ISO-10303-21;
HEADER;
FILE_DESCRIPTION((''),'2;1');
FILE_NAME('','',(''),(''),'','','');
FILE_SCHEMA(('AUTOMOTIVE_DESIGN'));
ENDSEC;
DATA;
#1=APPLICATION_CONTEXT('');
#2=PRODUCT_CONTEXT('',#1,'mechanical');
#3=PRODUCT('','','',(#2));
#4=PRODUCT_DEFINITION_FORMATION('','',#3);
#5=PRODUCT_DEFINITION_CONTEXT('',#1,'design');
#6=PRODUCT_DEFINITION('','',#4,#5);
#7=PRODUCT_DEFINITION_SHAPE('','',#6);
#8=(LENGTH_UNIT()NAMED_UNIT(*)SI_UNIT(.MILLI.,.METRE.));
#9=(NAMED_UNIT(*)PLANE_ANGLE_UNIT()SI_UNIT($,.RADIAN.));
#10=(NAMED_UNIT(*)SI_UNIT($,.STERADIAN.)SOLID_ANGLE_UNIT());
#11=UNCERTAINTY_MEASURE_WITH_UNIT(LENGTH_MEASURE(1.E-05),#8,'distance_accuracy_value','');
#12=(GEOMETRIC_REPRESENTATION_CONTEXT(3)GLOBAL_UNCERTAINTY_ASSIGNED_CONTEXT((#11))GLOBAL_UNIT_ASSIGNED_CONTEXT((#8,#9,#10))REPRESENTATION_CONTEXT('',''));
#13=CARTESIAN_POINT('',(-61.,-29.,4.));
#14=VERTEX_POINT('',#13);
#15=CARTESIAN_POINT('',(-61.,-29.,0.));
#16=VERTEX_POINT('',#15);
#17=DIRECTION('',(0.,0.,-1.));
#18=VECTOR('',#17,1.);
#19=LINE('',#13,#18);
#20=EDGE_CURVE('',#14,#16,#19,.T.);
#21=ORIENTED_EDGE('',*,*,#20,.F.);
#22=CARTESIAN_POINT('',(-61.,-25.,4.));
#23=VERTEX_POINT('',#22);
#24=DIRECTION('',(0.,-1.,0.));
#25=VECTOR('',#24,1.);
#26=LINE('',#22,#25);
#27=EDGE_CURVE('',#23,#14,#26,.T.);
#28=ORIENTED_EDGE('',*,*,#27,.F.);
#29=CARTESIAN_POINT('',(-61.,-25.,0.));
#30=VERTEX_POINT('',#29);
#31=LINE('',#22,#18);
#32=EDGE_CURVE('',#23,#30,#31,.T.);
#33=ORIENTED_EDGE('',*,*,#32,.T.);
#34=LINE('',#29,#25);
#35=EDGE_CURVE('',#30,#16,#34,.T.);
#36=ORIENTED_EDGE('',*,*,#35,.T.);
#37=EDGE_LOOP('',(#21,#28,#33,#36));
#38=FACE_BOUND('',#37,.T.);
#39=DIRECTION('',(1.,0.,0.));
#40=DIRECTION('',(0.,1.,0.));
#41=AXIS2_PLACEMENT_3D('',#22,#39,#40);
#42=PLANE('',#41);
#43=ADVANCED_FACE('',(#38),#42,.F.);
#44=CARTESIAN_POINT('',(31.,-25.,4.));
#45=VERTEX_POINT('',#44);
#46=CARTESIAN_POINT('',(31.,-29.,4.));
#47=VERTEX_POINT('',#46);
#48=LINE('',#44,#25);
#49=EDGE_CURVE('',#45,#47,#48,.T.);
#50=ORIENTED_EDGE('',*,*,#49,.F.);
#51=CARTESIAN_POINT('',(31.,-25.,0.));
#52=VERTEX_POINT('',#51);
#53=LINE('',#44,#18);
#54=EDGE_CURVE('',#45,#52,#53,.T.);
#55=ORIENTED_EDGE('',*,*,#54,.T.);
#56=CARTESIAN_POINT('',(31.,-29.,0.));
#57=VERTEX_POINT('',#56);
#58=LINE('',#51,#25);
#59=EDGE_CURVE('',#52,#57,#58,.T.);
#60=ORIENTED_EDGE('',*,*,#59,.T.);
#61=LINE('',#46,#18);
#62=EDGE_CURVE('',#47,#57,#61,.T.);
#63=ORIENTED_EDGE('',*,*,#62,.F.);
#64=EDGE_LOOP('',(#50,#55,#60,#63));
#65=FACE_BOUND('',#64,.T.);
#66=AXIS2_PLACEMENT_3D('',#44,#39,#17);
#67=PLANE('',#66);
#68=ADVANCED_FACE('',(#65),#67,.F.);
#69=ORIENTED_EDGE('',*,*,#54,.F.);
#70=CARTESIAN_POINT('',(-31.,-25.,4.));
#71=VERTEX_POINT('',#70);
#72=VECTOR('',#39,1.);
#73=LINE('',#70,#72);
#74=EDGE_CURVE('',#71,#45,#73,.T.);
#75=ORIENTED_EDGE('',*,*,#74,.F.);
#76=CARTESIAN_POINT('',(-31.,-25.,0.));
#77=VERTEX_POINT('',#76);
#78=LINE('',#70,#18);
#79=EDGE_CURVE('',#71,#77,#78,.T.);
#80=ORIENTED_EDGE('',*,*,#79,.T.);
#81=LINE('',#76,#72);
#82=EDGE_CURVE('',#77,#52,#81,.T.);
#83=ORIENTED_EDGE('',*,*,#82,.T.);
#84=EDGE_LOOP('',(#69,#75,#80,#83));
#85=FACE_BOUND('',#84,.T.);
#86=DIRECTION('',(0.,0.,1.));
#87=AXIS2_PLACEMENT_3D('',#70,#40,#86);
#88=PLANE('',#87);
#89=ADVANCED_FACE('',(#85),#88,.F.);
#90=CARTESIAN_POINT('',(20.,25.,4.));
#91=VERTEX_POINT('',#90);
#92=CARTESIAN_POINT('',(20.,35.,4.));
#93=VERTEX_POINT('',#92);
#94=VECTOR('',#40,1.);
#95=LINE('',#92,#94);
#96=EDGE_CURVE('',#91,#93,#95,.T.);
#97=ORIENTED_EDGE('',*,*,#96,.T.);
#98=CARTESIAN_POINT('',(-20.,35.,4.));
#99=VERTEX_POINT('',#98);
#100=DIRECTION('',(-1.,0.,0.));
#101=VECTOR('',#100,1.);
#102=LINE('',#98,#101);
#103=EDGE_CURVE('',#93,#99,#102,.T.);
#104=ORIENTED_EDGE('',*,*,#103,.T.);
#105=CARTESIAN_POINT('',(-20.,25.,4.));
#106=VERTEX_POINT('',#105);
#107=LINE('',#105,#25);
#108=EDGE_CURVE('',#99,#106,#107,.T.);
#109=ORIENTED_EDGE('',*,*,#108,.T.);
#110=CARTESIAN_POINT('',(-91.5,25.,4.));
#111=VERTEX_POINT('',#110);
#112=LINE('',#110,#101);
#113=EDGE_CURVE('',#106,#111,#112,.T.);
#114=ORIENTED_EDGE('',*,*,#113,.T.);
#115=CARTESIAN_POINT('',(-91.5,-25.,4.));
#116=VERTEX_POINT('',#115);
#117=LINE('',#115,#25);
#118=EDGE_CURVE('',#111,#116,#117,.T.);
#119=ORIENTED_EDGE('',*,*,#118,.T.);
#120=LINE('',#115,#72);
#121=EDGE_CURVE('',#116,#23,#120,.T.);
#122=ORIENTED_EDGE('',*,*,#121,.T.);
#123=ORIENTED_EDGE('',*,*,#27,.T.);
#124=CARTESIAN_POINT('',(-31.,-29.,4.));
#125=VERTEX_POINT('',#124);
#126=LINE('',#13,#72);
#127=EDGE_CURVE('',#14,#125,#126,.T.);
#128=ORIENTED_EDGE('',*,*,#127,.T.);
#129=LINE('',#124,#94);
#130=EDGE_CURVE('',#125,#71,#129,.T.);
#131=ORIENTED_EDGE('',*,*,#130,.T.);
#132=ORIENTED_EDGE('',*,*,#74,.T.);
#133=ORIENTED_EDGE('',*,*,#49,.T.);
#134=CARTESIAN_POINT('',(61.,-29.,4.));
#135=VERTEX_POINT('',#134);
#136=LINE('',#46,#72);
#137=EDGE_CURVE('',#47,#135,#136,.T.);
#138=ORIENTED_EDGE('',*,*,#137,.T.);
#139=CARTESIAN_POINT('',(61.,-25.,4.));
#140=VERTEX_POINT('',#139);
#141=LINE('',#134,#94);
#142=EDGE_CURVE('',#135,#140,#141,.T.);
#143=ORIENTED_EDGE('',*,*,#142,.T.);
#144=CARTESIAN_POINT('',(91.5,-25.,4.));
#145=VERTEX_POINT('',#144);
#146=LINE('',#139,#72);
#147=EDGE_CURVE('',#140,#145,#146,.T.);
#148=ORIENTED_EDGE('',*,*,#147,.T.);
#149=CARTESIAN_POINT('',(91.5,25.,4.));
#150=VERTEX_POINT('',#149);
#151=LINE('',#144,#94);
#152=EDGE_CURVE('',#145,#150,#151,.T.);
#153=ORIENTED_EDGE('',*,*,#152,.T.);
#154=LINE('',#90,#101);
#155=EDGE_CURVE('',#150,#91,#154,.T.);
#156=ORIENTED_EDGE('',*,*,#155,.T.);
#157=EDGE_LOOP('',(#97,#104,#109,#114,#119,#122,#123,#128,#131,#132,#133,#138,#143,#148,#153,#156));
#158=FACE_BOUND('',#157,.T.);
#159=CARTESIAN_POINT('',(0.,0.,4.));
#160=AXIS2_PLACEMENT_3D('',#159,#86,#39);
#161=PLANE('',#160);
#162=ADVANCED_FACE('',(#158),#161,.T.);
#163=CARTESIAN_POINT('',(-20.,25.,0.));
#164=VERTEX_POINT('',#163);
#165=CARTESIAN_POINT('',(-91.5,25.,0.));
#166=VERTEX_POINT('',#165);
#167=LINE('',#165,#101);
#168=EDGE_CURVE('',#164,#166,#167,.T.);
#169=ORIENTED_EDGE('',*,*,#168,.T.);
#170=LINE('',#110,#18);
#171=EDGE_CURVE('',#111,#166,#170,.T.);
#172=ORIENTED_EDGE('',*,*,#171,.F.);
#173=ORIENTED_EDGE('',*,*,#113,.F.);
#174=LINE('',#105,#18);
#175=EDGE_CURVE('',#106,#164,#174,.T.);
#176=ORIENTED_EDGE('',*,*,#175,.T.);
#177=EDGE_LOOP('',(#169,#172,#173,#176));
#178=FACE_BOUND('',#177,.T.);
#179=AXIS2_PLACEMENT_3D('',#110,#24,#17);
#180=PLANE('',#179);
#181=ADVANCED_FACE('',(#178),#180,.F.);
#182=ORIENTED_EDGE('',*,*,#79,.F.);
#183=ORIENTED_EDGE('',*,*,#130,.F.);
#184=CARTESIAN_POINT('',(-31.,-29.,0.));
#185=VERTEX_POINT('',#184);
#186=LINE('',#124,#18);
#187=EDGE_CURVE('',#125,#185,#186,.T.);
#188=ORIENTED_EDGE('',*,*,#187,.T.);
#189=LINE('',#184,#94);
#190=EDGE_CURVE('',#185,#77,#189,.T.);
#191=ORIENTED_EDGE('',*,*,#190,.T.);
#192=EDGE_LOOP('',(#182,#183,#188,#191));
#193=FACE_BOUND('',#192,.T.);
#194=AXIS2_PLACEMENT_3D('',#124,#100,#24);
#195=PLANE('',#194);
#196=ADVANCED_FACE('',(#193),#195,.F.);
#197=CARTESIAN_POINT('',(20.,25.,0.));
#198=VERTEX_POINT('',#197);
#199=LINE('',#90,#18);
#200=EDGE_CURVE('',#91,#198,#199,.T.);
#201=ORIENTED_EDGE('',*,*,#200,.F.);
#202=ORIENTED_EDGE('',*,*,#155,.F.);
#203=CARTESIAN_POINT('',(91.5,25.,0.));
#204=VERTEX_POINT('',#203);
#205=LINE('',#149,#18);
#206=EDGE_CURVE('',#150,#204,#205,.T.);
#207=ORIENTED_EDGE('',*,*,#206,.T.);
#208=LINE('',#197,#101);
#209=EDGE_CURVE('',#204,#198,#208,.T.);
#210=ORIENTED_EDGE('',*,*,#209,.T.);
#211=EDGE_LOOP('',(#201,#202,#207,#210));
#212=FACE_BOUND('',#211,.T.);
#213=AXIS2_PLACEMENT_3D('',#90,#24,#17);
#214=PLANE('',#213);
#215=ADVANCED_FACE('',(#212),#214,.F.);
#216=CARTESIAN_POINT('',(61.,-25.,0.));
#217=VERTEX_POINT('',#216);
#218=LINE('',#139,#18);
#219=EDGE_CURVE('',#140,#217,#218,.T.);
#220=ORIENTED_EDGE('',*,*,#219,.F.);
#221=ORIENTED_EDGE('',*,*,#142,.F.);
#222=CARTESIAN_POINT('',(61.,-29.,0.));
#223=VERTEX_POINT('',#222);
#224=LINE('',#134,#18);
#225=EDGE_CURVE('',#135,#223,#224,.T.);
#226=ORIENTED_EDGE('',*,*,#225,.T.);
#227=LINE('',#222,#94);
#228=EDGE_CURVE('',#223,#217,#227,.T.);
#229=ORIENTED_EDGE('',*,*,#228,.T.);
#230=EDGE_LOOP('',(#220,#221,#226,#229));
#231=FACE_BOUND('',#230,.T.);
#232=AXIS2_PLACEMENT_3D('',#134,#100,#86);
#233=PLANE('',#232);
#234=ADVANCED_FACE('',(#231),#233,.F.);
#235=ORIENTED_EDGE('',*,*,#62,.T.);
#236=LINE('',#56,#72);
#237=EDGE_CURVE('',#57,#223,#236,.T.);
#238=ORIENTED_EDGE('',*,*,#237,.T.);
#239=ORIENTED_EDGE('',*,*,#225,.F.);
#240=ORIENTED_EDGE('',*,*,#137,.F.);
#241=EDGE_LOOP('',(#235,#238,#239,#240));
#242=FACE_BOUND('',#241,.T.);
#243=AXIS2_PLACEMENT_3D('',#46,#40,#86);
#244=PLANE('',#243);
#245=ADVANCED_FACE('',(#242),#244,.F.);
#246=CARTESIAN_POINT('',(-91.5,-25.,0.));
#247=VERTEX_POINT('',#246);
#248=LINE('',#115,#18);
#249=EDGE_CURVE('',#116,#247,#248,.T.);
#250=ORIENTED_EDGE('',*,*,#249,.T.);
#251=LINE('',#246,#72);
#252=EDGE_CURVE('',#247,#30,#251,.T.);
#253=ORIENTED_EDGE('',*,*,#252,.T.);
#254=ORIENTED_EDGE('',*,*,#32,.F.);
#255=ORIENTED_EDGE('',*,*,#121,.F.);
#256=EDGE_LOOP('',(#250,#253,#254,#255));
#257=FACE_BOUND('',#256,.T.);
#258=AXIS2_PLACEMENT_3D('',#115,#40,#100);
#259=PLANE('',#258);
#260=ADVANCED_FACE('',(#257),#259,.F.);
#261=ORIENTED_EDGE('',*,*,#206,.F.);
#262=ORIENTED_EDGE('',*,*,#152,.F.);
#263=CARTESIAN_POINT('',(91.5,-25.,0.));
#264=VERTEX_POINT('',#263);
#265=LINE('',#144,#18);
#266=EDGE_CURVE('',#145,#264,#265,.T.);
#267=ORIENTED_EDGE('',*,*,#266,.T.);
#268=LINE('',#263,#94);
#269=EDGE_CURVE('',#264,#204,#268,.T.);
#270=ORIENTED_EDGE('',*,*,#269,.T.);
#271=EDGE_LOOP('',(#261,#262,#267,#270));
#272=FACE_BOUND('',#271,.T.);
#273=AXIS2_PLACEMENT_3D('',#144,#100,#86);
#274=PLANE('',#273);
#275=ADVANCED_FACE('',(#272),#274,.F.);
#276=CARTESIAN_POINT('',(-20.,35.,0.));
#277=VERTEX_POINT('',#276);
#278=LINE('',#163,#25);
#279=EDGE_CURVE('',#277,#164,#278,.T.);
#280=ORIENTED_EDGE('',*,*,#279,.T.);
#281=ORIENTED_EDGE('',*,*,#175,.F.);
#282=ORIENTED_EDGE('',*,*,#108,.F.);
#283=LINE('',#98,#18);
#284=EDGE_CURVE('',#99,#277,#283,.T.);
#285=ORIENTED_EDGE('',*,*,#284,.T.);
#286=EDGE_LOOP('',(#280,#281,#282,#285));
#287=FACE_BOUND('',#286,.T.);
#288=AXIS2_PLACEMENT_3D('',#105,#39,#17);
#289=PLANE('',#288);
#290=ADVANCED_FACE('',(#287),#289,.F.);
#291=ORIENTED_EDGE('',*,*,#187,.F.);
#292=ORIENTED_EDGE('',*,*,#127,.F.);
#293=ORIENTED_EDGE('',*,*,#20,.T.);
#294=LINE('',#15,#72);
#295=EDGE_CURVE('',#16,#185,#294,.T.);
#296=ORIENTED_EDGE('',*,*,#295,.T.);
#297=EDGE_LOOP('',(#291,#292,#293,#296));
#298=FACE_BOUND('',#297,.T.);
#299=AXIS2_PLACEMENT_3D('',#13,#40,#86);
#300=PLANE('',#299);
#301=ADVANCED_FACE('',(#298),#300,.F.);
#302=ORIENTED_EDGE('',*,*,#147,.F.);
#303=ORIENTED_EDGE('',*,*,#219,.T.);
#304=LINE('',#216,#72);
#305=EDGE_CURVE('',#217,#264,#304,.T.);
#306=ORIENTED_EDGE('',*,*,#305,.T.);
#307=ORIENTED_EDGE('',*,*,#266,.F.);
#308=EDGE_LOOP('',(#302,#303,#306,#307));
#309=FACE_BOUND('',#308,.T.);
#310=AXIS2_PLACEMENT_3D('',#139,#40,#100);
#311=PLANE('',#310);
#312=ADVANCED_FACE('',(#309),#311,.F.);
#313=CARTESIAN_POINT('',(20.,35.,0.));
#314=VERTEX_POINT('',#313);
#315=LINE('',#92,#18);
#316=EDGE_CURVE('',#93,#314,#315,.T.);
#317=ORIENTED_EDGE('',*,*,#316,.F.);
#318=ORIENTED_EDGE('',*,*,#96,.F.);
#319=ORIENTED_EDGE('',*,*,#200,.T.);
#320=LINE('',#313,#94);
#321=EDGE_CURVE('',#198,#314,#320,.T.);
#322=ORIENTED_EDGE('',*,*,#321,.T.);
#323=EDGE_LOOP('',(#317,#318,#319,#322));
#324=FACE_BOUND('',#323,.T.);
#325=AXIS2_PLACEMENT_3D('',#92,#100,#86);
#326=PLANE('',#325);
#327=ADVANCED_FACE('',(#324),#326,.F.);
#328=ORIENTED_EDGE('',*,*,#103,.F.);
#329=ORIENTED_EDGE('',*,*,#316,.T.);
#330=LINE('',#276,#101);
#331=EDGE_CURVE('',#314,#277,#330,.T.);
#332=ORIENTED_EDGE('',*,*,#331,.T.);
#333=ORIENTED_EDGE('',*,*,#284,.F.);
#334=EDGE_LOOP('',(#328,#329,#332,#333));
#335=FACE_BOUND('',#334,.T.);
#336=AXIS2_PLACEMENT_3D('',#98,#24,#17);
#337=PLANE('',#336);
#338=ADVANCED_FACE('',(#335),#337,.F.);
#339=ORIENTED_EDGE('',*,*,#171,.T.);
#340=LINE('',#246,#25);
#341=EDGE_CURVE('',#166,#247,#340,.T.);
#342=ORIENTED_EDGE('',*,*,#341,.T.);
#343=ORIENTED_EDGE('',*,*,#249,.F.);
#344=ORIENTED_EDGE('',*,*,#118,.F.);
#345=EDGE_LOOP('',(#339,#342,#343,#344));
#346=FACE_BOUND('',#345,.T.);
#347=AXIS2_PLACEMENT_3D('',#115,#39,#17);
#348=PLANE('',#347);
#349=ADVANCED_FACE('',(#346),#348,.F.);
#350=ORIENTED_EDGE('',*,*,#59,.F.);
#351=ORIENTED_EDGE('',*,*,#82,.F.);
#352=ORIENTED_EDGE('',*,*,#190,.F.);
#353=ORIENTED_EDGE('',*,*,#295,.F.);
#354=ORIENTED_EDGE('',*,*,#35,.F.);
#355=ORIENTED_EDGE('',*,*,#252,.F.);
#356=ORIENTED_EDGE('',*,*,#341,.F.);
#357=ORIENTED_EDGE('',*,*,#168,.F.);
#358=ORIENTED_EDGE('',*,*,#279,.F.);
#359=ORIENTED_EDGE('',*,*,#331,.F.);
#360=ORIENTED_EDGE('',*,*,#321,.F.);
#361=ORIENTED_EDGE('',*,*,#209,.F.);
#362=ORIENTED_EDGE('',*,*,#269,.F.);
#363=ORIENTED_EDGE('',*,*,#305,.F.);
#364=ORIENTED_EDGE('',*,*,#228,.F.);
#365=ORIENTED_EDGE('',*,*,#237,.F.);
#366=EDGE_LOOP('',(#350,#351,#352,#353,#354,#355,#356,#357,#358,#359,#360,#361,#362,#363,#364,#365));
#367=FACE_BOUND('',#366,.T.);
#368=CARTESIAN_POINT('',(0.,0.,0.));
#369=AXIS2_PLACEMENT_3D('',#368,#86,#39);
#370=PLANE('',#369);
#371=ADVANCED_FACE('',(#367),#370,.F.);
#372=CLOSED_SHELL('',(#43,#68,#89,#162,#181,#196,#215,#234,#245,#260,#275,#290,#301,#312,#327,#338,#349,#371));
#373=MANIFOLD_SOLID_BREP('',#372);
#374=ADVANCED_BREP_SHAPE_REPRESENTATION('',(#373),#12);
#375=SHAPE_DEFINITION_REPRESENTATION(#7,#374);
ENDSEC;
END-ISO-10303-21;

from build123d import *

# Parameters (mm, degrees)
SALIENTE_EXTRUIR1_DEPTH = 4


with BuildPart() as part:
    # Croquis1 → Saliente-Extruir1 (new body)
    with BuildSketch(Plane.XY):
        Polygon((-61, -25), (-61, -29), (-31, -29), (-31, -25), (31, -25), (31, -29), (61, -29), (61, -25), (91.5, -25), (91.5, 25), (20, 25), (20, 35), (-20, 35), (-20, 25), (-91.5, 25), (-91.5, -25), align=None)
    extrude(amount=SALIENTE_EXTRUIR1_DEPTH)


solid = part.part
